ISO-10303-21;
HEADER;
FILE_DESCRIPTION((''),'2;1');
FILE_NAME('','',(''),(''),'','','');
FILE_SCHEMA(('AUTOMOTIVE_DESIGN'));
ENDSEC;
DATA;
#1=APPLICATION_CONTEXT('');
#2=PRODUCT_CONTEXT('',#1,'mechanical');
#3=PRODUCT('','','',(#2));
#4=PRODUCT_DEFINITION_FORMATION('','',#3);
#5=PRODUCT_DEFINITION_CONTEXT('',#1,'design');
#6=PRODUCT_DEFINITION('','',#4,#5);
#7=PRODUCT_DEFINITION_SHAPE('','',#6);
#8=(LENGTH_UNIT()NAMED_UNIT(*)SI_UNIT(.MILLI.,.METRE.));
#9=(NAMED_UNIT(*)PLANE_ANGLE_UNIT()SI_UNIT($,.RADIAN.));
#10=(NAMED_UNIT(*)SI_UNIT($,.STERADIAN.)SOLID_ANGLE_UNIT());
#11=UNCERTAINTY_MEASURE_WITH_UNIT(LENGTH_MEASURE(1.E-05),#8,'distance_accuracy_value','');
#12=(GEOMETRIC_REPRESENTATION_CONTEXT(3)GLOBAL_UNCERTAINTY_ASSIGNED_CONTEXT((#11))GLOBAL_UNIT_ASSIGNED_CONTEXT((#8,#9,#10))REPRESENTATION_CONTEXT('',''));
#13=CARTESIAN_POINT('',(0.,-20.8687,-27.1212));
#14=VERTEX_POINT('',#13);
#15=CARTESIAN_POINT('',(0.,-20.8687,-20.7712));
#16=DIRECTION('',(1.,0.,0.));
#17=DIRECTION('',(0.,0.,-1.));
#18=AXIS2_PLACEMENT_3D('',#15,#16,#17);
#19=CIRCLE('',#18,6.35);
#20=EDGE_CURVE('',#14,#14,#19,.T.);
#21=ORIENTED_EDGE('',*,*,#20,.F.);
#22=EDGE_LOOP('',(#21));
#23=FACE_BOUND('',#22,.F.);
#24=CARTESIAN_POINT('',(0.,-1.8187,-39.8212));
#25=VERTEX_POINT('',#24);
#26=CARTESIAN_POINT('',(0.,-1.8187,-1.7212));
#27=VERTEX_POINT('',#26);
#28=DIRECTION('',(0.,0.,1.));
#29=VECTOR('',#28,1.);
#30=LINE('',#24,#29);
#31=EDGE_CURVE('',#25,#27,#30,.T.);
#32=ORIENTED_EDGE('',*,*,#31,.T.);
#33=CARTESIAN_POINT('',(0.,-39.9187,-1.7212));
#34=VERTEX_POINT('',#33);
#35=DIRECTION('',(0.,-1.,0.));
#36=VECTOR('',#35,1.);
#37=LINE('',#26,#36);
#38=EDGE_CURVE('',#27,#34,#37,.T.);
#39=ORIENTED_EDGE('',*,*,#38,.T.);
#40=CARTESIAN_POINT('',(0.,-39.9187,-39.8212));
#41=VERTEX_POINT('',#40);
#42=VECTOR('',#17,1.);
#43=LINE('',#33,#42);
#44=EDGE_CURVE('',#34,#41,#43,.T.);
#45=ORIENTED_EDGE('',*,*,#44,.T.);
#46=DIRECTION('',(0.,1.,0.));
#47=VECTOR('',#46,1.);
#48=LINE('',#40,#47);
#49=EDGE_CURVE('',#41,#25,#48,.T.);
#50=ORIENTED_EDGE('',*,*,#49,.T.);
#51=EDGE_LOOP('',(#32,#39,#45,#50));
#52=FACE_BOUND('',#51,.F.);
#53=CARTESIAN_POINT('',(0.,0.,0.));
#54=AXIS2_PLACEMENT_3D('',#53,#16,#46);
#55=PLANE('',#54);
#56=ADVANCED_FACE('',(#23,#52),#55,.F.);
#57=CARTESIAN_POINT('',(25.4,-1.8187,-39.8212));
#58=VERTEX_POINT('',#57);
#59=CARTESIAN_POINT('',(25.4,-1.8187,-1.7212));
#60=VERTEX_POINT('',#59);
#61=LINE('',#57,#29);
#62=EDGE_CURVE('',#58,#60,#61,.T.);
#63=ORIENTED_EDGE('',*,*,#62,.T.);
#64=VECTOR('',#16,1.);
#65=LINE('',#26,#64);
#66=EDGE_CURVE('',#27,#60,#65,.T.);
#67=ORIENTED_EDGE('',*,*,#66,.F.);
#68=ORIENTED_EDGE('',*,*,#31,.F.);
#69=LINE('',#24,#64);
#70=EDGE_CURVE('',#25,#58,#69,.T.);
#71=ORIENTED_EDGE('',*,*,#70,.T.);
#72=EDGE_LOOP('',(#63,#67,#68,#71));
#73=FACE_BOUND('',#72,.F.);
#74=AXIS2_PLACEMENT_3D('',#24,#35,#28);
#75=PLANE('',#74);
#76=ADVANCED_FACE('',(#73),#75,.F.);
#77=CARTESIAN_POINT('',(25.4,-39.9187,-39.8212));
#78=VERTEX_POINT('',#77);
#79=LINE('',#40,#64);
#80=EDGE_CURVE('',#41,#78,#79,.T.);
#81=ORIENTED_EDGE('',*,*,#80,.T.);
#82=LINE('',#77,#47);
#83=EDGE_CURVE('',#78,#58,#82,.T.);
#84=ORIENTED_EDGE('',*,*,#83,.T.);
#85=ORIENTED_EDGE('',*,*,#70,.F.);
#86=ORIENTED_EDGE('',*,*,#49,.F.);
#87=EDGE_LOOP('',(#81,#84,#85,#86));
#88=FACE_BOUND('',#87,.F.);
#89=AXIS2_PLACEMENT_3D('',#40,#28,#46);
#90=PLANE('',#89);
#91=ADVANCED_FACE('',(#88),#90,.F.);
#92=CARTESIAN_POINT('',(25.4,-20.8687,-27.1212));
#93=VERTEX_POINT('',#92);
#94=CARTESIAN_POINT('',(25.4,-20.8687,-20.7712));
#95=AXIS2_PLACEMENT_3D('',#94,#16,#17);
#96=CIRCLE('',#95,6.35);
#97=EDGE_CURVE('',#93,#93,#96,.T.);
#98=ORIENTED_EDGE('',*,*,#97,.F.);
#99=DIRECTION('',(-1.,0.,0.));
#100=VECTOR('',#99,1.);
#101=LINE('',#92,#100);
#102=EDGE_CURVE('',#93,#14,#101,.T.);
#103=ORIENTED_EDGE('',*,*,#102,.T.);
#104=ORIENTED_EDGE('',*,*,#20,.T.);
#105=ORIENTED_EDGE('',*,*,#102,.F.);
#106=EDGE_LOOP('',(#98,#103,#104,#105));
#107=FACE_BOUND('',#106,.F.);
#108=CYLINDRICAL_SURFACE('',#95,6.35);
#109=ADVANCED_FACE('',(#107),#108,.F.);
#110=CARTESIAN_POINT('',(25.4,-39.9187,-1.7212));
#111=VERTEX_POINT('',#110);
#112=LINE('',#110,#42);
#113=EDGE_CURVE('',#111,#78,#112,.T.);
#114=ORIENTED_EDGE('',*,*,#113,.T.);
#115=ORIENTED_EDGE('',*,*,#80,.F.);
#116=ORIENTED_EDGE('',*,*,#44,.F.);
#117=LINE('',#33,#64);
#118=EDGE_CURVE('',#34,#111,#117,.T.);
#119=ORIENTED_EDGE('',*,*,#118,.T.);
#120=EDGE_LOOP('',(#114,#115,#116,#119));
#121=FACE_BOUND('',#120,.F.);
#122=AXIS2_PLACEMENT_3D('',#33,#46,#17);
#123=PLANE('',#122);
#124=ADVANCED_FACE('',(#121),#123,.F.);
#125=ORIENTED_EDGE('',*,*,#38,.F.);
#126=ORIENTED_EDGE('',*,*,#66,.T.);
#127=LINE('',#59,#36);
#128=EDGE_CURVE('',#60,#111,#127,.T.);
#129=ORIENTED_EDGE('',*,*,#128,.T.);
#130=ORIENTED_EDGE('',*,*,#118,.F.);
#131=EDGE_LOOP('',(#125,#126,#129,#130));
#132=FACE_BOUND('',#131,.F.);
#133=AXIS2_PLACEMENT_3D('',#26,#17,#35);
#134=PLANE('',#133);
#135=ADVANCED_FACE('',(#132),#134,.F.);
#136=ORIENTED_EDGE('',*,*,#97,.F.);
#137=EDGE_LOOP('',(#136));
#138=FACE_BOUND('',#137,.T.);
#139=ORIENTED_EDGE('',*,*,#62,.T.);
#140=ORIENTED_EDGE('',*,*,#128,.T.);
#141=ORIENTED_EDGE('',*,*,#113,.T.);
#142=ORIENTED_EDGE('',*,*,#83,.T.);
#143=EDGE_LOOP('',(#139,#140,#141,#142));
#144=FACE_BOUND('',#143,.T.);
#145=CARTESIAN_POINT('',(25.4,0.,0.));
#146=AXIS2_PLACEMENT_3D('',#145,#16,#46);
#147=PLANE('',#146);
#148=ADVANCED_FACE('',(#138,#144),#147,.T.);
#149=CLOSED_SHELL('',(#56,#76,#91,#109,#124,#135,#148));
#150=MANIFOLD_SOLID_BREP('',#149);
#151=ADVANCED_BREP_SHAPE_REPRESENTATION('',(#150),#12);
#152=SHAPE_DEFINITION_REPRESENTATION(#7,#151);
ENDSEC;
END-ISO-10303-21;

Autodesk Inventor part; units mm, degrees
ref_plane "YZ Plane" through (0, 0, 0) normal (1, 0, 0) x (0, 1, 0)
ref_plane "XZ Plane" through (0, 0, 0) normal (0, 1, 0) x (-1, 0, 0)
ref_plane "XY Plane" through (0, 0, 0) normal (0, 0, 1) x (1, 0, 0)
sketch "Sketch1" plane through (0, 0, 0) normal (1, 0, 0) x (0, 1, 0)
  line L0 (-1.8187, -1.7212) -> (-39.9187, -1.7212)
  line L1 (-39.9187, -1.7212) -> (-39.9187, -39.8212)
  line L2 (-39.9187, -39.8212) -> (-1.8187, -39.8212)
  line L3 (-1.8187, -39.8212) -> (-1.8187, -1.7212)
  point P0 (0, 0)
  dimension "d0" = 38.1
  dimension "d1" = 38.1
extrude "Extrusion1" add sketch "Sketch1" along normal blind 25.4
sketch "Sketch2" plane through (25.4, 0, 0) normal (1, 0, 0) x (0, 0, -1)
  circle A0 centre (20.7712, -20.8687) radius 6.35
  line L0 (39.8212, -1.8187) -> (1.7212, -1.8187) projected
  line L1 (1.7212, -1.8187) -> (1.7212, -39.9187) projected
  point P0 (0, 0)
  dimension "d4" = 12.7
  dimension "d5" = 19.05
  dimension "d6" = 19.05
extrude "Extrusion2" cut sketch "Sketch2" against normal blind 25.4
properties part number "nut" material "PPS Plastic"
